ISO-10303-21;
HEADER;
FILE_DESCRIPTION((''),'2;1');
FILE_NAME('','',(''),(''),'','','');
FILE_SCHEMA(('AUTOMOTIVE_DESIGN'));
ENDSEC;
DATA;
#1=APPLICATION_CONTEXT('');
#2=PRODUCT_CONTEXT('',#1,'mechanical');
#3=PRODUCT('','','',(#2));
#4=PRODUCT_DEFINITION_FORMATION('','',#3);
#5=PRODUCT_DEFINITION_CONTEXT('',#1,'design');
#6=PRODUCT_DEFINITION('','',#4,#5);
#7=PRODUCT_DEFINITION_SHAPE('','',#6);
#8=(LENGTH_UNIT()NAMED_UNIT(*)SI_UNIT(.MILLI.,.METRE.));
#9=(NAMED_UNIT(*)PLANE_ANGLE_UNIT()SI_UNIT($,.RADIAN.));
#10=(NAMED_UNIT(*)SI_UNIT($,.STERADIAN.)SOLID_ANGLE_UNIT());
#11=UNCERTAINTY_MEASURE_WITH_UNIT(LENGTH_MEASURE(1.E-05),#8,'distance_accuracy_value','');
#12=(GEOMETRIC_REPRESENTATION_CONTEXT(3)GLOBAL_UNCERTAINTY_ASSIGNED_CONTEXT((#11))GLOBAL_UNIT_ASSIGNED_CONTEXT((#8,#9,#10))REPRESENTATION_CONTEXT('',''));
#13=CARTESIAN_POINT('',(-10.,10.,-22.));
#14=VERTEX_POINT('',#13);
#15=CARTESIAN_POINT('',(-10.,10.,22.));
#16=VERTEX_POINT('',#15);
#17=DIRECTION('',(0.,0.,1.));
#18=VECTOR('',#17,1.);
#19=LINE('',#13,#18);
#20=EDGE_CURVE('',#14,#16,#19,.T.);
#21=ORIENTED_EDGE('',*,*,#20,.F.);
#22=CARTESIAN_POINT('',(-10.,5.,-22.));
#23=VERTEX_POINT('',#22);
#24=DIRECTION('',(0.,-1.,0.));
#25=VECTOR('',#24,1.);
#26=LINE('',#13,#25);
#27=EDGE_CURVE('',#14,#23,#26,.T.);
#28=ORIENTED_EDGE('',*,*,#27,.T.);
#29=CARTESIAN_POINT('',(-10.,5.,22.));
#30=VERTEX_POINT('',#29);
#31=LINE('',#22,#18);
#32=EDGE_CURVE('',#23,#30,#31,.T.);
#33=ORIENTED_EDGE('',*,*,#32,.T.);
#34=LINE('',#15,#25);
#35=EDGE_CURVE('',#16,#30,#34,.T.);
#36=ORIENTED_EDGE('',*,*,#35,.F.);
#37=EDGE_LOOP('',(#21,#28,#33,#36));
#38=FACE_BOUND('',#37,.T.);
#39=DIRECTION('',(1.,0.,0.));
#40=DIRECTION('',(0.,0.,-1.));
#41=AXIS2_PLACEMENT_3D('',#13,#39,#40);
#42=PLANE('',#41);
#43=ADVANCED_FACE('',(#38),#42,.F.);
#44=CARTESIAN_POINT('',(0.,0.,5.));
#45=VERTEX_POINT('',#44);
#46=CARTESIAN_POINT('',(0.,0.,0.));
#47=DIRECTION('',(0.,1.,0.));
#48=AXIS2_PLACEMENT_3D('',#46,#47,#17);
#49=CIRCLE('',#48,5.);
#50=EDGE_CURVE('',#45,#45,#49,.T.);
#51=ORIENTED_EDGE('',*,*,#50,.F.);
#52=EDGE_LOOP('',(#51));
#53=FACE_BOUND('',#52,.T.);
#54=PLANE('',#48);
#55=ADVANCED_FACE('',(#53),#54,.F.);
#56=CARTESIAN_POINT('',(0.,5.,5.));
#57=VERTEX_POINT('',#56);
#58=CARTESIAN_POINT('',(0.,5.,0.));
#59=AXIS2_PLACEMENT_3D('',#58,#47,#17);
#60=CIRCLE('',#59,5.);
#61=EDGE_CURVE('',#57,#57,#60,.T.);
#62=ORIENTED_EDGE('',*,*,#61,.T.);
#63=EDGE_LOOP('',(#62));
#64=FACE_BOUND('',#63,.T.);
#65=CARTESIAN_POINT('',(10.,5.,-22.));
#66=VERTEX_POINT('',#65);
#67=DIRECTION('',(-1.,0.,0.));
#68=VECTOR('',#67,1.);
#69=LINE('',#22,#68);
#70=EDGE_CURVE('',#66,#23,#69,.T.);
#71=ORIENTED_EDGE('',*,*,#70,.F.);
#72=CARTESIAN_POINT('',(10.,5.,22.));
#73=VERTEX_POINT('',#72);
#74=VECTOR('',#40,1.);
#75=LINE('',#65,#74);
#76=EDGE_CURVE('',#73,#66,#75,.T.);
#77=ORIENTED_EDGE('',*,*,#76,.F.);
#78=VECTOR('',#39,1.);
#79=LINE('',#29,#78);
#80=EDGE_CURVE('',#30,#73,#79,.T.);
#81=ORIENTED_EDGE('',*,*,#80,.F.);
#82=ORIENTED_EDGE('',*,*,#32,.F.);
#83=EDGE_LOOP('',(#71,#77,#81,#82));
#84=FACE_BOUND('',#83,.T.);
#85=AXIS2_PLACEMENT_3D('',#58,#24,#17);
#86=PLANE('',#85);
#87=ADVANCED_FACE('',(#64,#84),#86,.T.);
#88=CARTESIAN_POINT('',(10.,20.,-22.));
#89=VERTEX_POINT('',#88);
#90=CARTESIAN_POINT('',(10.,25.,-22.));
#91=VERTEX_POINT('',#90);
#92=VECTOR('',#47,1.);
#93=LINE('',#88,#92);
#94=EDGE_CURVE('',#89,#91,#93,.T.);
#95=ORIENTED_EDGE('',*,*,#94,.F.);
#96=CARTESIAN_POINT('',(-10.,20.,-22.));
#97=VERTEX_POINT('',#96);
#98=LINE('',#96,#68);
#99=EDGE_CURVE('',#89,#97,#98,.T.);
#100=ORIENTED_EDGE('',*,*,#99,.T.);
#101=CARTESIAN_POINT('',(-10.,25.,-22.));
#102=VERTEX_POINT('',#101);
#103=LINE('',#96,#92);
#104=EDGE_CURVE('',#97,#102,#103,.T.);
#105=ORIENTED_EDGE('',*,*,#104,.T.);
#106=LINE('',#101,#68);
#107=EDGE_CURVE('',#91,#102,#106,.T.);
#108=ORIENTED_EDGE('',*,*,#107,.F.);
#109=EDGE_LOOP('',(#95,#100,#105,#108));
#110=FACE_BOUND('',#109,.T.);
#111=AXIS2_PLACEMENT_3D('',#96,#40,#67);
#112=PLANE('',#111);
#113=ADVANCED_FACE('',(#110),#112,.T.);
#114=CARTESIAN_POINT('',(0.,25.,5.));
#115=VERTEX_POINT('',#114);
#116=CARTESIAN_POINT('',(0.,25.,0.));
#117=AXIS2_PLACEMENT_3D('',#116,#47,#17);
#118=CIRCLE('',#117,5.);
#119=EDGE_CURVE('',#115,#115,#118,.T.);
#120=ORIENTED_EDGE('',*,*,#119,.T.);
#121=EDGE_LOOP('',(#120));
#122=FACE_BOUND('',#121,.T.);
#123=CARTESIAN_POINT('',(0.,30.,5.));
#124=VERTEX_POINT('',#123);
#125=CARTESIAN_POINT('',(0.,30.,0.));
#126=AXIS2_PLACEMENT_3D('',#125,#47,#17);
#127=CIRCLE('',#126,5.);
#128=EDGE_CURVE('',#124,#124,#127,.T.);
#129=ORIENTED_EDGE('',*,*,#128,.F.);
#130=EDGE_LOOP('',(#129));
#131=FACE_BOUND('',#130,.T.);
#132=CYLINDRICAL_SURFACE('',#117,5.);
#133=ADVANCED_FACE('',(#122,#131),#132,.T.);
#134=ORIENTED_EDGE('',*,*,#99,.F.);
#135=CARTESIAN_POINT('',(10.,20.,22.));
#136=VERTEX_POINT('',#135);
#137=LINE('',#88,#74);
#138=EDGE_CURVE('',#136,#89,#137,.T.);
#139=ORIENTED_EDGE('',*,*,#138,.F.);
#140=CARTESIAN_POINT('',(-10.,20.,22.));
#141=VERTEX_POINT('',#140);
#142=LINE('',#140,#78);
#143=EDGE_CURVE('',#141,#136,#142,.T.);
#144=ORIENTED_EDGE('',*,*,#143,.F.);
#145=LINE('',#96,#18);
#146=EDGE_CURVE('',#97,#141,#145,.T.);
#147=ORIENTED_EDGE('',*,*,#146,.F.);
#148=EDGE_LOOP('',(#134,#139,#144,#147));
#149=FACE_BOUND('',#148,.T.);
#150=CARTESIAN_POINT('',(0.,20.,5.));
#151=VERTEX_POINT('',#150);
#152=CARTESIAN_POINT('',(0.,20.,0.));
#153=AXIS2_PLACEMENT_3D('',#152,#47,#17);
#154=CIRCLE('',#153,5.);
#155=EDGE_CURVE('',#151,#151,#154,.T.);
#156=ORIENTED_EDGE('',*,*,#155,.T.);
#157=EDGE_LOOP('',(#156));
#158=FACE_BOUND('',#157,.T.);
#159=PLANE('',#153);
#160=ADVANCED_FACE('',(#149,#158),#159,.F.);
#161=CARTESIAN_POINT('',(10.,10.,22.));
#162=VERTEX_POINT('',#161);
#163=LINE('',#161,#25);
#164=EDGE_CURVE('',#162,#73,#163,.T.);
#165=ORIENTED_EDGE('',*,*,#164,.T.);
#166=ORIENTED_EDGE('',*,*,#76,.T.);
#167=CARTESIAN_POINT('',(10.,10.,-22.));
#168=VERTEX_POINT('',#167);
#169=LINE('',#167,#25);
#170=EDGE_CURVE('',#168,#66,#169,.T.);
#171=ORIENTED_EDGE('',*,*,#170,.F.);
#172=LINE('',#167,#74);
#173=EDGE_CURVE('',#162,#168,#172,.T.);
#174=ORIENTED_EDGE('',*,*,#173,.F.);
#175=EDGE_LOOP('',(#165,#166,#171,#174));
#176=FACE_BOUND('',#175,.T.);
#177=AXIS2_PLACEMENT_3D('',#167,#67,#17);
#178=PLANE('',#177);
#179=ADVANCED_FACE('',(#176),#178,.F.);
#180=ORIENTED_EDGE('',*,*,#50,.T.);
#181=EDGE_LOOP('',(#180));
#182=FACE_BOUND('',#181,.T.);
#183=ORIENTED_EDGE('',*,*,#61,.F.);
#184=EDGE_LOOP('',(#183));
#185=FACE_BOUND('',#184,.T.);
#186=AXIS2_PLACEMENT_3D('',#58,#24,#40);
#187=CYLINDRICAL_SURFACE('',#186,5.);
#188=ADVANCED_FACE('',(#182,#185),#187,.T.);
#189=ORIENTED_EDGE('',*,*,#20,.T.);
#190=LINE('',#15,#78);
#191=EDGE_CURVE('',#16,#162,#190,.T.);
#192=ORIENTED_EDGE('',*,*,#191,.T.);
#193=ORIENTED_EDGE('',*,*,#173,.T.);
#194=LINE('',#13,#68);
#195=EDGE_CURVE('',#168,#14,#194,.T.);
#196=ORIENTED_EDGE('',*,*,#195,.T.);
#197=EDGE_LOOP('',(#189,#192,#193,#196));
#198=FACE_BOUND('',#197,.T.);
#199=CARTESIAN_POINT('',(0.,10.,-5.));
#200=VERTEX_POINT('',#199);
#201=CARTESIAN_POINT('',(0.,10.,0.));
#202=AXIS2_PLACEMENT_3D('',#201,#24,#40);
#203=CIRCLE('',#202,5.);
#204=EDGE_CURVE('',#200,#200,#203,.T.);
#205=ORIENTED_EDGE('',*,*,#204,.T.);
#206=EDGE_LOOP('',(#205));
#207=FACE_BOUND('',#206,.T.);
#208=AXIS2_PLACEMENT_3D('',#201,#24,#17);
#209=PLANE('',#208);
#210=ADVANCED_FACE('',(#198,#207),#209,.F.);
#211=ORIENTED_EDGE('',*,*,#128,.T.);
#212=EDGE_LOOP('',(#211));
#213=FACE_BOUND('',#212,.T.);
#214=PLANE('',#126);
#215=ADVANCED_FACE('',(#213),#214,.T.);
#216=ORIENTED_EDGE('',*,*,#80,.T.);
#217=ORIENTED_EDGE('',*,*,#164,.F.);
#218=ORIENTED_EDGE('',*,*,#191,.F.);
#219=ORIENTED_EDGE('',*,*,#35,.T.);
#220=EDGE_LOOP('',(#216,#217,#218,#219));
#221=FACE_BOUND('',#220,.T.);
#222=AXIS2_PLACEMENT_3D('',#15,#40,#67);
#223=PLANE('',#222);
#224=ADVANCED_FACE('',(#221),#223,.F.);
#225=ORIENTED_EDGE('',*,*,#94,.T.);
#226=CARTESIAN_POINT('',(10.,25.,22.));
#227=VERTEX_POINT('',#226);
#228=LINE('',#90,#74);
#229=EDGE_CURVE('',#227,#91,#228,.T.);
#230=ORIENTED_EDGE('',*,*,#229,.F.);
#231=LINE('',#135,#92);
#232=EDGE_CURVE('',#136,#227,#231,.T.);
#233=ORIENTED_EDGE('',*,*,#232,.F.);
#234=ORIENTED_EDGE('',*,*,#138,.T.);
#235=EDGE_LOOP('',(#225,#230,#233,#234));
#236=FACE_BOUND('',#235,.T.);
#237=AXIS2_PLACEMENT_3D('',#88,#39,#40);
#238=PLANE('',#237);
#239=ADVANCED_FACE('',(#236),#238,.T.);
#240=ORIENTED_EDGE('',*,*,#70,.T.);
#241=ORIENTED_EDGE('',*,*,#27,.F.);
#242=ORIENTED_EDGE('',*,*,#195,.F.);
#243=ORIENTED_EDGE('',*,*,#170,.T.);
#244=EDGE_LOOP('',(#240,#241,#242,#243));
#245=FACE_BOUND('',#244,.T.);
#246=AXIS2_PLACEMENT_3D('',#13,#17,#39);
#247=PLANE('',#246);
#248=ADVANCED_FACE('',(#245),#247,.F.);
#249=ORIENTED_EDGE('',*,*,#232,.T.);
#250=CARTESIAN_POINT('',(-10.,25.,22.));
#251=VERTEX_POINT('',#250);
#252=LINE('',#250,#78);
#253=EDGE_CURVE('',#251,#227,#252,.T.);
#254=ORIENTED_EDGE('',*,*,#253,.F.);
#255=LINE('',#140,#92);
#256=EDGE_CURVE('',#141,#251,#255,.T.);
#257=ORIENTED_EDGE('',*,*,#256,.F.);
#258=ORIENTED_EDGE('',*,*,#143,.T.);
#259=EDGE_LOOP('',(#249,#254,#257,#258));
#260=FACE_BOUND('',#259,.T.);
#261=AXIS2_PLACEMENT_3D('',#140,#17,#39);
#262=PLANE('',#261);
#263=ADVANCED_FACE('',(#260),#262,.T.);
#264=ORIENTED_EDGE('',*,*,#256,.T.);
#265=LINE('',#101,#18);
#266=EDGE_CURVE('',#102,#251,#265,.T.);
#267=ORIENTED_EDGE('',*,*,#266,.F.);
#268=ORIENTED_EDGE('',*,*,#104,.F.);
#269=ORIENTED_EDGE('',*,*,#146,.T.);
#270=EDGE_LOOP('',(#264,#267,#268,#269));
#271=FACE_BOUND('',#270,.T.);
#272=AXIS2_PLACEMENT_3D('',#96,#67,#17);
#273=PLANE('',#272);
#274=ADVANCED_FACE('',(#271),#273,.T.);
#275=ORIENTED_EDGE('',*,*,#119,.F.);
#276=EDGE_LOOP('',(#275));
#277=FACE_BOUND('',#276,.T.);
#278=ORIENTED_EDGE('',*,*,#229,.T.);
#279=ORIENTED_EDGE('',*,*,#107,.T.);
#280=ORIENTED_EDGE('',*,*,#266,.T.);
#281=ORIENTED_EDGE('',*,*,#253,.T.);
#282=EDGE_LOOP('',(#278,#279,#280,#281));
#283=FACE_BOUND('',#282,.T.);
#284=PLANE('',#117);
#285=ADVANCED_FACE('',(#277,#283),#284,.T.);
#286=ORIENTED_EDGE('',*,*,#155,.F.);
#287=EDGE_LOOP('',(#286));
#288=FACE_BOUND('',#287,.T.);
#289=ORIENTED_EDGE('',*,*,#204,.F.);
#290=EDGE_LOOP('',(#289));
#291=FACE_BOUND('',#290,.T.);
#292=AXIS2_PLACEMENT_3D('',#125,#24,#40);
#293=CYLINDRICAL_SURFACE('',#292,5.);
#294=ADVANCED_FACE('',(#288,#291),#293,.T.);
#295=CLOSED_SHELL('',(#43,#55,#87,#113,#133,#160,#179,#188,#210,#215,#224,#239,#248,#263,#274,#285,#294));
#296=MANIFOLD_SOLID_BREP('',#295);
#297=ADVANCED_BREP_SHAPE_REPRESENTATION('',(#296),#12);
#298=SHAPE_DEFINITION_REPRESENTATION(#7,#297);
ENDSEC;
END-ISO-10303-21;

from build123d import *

# Parameters (mm, degrees)
SKETCH1_R           = 5
BOSS_EXTRUDE1_DEPTH = 30
SKETCH2_W           = 20
SKETCH2_H           = 44
BOSS_EXTRUDE2_DEPTH = 10
CUT_EXTRUDE2_START  = -5
SKETCH4_W           = 20
SKETCH4_H           = 44
SKETCH4_R           = 5
CUT_EXTRUDE2_DEPTH  = 5


with BuildPart() as part:
    # Sketch1 → Boss-Extrude1 (new body)
    with BuildSketch(Plane(origin=(0, 0, 0), x_dir=(1, 0, 0), z_dir=(0, 1, 0))):
        with Locations(Location((0, 0, 0), (0, 0, 270))):
            Circle(SKETCH1_R)
    extrude(amount=BOSS_EXTRUDE1_DEPTH)

    # Sketch2 → Boss-Extrude2 (add)
    with BuildSketch(Plane(origin=(0, 30, 0), x_dir=(1, 0, 0), z_dir=(0, 1, 0))):
        Rectangle(SKETCH2_W, SKETCH2_H)
    boss_extrude2 = extrude(amount=-BOSS_EXTRUDE2_DEPTH)

    # Sketch4 → Cut-Extrude2 (cut)
    with BuildSketch(Plane(origin=(0, 30, 0), x_dir=(1, 0, 0), z_dir=(0, 1, 0)).offset(CUT_EXTRUDE2_START)):
        Rectangle(SKETCH4_W, SKETCH4_H)
        with Locations(Location((0, 0, 0), (0, 0, 270))):
            Circle(SKETCH4_R, mode=Mode.SUBTRACT)
    cut_extrude2 = extrude(amount=CUT_EXTRUDE2_DEPTH, mode=Mode.SUBTRACT)

    # Mirror2: Boss-Extrude2, Cut-Extrude2 across plane
    add(boss_extrude2.mirror(Plane(origin=(0, 15, 0), x_dir=(0, 0, 1), z_dir=(0, -1, 0))))
    add(cut_extrude2.mirror(Plane(origin=(0, 15, 0), x_dir=(0, 0, 1), z_dir=(0, -1, 0))), mode=Mode.SUBTRACT)


solid = part.part
